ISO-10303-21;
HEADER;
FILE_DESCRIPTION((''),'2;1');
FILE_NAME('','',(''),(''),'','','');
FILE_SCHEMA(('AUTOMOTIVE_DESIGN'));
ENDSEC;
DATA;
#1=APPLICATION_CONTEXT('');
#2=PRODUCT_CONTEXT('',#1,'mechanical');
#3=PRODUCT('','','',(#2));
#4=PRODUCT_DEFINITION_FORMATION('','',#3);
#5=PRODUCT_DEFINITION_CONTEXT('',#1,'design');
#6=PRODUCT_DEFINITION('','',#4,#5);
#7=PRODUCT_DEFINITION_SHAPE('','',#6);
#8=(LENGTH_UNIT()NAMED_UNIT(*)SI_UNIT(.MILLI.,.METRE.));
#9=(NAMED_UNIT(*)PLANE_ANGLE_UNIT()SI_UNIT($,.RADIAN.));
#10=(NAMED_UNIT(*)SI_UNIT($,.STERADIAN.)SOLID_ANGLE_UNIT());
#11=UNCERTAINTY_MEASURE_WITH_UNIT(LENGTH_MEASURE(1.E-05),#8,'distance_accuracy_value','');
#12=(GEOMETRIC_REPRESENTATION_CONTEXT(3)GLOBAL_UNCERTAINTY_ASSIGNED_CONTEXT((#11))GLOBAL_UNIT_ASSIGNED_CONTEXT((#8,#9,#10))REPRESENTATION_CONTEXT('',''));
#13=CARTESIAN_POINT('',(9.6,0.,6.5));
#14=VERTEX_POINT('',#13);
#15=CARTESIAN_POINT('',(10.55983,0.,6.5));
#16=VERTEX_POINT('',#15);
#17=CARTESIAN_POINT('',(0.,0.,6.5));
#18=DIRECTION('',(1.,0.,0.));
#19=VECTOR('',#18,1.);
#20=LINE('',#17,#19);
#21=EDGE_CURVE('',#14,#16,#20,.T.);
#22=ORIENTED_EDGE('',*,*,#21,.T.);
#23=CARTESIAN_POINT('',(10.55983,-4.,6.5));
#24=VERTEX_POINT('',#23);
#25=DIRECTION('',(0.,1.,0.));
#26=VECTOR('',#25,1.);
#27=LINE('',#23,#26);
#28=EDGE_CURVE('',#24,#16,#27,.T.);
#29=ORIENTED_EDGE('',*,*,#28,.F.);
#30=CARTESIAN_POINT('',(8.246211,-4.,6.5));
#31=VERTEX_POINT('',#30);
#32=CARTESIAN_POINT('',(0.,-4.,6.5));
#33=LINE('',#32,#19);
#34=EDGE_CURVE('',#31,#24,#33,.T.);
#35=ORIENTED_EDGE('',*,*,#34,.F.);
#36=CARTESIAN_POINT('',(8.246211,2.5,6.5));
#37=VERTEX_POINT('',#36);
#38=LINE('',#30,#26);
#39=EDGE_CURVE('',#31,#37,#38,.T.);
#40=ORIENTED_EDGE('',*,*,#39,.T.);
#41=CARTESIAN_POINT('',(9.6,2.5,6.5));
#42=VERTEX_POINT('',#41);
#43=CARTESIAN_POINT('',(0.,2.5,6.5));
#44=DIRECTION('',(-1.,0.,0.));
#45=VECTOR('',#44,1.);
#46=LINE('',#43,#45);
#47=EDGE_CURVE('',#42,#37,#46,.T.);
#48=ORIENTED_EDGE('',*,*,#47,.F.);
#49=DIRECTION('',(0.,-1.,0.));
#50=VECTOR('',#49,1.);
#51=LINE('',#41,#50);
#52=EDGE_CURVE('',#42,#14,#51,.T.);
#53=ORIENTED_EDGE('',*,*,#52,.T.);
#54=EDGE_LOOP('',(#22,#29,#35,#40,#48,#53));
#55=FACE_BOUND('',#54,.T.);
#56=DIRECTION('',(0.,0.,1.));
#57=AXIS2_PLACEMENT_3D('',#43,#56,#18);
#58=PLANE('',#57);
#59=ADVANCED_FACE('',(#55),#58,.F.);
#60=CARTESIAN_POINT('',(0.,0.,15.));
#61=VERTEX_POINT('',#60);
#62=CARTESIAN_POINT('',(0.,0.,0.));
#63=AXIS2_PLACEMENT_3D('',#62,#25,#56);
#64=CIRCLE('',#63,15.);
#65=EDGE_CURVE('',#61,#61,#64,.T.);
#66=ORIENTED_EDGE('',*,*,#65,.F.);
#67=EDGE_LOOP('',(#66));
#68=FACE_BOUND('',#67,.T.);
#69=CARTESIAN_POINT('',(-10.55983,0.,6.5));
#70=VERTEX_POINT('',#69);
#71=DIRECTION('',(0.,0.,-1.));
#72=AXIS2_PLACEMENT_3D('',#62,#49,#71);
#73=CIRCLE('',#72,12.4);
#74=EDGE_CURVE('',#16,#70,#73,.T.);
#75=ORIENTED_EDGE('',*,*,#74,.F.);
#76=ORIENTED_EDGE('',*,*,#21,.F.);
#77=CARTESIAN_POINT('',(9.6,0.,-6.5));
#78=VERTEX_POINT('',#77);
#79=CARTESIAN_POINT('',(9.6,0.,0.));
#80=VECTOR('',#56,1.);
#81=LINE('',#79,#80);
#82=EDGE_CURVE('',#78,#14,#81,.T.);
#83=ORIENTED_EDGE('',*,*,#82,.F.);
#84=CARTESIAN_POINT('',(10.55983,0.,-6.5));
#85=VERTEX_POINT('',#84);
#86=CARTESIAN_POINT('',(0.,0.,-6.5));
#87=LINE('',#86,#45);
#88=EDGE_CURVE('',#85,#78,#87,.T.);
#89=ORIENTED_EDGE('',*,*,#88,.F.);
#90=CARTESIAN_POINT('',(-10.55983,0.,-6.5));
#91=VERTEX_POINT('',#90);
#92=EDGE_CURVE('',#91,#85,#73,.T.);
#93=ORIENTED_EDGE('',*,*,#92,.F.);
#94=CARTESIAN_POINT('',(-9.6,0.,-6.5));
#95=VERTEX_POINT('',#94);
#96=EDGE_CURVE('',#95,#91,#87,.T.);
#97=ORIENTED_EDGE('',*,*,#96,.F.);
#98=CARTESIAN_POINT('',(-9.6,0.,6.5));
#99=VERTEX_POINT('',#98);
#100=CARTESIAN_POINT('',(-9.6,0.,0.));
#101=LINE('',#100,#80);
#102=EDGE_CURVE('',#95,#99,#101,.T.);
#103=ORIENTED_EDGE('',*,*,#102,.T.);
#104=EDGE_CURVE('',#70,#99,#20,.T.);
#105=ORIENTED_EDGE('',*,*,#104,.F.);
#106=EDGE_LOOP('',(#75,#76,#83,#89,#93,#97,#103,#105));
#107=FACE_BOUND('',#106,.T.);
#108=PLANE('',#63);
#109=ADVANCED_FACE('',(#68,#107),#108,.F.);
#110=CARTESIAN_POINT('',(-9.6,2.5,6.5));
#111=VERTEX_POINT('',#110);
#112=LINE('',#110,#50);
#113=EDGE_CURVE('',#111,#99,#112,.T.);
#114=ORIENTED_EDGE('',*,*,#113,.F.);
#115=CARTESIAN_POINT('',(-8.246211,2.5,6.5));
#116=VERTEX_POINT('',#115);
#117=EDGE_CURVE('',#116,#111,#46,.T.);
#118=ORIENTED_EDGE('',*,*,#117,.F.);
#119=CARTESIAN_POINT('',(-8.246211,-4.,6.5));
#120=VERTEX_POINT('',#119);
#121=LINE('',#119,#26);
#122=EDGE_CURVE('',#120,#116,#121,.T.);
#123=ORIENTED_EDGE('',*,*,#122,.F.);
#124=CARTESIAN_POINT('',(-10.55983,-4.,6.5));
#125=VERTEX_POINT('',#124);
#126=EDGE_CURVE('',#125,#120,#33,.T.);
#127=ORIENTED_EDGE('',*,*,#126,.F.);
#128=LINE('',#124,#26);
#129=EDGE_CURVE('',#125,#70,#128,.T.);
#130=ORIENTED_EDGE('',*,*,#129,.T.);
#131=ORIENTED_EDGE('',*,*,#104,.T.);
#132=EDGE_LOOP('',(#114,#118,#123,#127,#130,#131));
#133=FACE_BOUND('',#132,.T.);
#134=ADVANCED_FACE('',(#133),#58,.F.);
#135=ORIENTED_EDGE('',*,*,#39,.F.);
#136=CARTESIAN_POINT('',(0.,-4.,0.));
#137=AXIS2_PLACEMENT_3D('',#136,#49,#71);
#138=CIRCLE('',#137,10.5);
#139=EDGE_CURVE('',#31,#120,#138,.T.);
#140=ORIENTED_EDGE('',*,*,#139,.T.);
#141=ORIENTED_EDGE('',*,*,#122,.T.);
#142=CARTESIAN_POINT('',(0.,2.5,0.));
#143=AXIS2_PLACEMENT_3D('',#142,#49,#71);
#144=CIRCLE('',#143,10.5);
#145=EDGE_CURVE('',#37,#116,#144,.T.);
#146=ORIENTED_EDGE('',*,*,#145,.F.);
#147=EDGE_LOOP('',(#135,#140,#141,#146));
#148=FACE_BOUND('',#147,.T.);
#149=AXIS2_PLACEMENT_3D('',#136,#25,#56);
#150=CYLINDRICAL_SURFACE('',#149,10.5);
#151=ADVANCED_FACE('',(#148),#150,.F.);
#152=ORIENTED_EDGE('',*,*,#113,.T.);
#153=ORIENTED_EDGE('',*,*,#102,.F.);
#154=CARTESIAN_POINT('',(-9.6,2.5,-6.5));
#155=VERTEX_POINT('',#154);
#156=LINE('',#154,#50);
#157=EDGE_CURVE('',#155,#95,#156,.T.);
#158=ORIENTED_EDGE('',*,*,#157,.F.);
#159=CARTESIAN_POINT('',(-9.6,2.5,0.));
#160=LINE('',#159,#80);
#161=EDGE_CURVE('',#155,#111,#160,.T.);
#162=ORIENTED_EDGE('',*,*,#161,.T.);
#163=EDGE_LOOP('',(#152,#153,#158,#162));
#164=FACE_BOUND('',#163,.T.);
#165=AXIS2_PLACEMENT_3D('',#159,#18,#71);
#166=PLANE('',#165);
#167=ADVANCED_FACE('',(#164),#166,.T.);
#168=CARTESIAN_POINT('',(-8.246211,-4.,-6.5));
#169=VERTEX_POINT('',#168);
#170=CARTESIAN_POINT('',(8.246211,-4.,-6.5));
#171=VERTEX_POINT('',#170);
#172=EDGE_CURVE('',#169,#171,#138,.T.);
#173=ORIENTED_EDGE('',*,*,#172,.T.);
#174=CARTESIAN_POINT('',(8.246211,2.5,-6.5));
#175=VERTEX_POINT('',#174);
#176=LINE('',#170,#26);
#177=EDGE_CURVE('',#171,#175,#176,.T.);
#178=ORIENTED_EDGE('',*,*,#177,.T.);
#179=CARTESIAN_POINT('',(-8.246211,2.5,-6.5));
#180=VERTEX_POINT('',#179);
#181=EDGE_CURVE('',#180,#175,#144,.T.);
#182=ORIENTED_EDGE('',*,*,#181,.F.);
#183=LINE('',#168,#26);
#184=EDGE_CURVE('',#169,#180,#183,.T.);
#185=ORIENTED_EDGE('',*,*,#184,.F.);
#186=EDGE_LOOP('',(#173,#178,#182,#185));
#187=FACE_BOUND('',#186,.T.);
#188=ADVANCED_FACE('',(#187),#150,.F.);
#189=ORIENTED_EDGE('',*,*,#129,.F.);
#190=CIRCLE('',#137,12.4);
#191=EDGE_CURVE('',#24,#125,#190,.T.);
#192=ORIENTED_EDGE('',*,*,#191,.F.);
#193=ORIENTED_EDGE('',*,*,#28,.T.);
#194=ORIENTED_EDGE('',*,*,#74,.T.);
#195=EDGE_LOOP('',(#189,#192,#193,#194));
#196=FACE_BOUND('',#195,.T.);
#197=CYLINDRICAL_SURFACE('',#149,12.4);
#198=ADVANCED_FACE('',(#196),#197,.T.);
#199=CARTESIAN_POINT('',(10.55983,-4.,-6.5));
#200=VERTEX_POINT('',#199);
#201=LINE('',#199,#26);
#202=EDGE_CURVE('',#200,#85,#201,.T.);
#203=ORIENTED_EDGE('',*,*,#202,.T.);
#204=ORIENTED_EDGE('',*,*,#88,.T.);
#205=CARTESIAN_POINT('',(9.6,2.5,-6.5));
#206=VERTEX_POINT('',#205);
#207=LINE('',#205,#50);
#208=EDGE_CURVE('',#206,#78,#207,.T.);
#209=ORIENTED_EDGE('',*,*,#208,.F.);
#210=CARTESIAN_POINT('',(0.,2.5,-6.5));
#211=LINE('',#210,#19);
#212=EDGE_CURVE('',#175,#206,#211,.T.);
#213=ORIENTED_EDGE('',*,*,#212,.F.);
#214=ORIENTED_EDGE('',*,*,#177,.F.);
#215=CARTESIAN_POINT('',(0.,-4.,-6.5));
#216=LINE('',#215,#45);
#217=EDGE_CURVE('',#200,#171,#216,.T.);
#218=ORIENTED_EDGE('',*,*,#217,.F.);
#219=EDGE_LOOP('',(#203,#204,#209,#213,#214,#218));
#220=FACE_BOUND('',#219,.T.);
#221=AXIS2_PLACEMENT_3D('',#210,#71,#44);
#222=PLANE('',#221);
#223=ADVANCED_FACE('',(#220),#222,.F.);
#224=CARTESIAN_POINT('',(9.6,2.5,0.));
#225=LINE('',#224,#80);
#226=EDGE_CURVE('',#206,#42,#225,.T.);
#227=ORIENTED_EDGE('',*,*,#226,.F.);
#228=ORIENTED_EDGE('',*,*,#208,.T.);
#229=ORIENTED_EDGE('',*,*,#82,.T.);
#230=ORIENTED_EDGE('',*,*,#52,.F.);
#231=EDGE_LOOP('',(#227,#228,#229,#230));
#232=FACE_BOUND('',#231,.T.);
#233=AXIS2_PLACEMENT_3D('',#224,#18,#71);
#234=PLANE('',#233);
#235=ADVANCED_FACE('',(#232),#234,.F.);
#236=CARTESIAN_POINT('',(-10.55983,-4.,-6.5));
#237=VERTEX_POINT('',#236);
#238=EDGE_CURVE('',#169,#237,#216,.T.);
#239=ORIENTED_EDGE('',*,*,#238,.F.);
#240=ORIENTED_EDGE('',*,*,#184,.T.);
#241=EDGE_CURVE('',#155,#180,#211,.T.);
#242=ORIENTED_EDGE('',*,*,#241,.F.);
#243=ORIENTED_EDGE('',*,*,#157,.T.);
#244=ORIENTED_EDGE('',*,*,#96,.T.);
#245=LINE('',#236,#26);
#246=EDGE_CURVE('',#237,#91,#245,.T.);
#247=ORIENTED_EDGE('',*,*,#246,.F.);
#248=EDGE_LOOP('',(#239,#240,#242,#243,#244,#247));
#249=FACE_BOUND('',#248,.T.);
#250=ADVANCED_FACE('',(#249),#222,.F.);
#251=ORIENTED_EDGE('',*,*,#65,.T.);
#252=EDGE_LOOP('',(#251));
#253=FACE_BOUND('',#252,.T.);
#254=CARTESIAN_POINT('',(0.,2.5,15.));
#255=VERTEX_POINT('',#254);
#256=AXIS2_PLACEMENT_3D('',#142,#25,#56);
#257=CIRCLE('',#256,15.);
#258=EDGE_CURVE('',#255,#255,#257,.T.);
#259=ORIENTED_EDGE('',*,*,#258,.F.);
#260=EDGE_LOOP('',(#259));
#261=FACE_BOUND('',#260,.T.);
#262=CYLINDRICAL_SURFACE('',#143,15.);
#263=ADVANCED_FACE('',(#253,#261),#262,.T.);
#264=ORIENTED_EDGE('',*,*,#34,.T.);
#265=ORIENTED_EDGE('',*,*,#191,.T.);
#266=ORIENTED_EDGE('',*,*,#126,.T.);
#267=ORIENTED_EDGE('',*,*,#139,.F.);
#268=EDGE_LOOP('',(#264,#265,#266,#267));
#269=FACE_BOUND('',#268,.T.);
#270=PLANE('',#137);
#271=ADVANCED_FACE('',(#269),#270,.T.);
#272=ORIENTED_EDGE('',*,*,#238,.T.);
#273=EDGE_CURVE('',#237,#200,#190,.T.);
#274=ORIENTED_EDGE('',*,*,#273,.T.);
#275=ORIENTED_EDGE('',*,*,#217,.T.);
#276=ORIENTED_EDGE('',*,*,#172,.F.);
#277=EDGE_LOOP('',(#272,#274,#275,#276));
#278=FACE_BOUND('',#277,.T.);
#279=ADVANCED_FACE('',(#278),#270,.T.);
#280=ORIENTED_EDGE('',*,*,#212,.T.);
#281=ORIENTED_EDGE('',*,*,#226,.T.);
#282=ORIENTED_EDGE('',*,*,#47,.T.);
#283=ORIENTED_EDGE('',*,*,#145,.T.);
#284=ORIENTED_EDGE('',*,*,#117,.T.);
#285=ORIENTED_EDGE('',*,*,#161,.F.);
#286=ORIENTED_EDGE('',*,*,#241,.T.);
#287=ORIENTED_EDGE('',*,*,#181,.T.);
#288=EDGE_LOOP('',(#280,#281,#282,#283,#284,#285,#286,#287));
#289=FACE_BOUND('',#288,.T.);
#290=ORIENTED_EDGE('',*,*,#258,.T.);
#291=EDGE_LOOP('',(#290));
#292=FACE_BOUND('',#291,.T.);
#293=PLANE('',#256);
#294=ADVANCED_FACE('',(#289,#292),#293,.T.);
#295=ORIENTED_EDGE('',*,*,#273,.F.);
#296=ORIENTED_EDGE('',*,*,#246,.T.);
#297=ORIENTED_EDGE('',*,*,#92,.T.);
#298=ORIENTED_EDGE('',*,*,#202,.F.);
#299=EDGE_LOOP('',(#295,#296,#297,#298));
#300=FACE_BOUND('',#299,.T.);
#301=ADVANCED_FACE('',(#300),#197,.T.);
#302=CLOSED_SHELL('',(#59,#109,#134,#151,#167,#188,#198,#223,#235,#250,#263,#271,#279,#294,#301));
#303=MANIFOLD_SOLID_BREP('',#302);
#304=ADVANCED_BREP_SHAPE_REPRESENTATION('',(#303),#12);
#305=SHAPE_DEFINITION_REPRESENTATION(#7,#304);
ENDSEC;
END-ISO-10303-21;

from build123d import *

# Parameters (mm, degrees)
BOSS_EXTRUDE1_DEPTH     = 2.5
BOSS_EXTRUDE2_DEPTH     = 4
CUT_EXTRUDE1_DEPTH      = 5
CUT_EXTRUDE1_DEPTH_BACK = 3.5


with BuildPart() as part:
    # Sketch1 → Boss-Extrude1 (new body)
    with BuildSketch(Plane(origin=(0, 0, 0), x_dir=(1, 0, 0), z_dir=(0, 1, 0))):
        with BuildLine():
            Line((-9.6, -6.5), (-9.6, 6.5))
            Line((-9.6, 6.5), (-13.518505835, 6.5))
            ThreePointArc((-13.518505835, 6.5), (-15, 0), (-13.518505835, -6.5))
            Line((-13.518505835, -6.5), (-9.6, -6.5))
        make_face()
        with BuildLine():
            Line((9.6, -6.5), (-9.6, -6.5))
            Line((-9.6, -6.5), (-13.518505835, -6.5))
            ThreePointArc((-13.518505835, -6.5), (0, -15), (13.518505835, -6.5))
            Line((13.518505835, -6.5), (9.6, -6.5))
        make_face()
        with BuildLine():
            Line((-13.518505835, 6.5), (-9.6, 6.5))
            Line((-9.6, 6.5), (9.6, 6.5))
            Line((9.6, 6.5), (13.518505835, 6.5))
            ThreePointArc((13.518505835, 6.5), (0, 15), (-13.518505835, 6.5))
        make_face()
        with BuildLine():
            Line((13.518505835, 6.5), (9.6, 6.5))
            Line((9.6, 6.5), (9.6, -6.5))
            Line((9.6, -6.5), (13.518505835, -6.5))
            ThreePointArc((13.518505835, -6.5), (14.624937393, -3.333347603), (15, 0))
            ThreePointArc((15, 0), (14.624937393, 3.333347603), (13.518505835, 6.5))
        make_face()
    extrude(amount=BOSS_EXTRUDE1_DEPTH)

    # Sketch2 → Boss-Extrude2 (add)
    with BuildSketch(Plane.XZ):
        with BuildLine():
            ThreePointArc((10.559829544, 6.5), (0, 12.4), (-10.559829544, 6.5))
            Line((-10.559829544, 6.5), (-9.6, 6.5))
            Line((-9.6, 6.5), (-8.246211251, 6.5))
            ThreePointArc((-8.246211251, 6.5), (0, 10.5), (8.246211251, 6.5))
            Line((8.246211251, 6.5), (9.6, 6.5))
            Line((9.6, 6.5), (10.559829544, 6.5))
        make_face()
        with BuildLine():
            Line((-9.6, -6.5), (-10.559829544, -6.5))
            ThreePointArc((-10.559829544, -6.5), (0, -12.4), (10.559829544, -6.5))
            Line((10.559829544, -6.5), (9.6, -6.5))
            Line((9.6, -6.5), (8.246211251, -6.5))
            ThreePointArc((8.246211251, -6.5), (0, -10.5), (-8.246211251, -6.5))
            Line((-8.246211251, -6.5), (-9.6, -6.5))
        make_face()
    extrude(amount=BOSS_EXTRUDE2_DEPTH)

    # Sketch2<3> → Cut-Extrude1 (cut, two sides)
    with BuildSketch(Plane.XZ) as cut_extrude1_sk:
        with BuildLine():
            ThreePointArc((8.246211251, 6.5), (0, 10.5), (-8.246211251, 6.5))
            Line((-8.246211251, 6.5), (8.246211251, 6.5))
        make_face()
        with BuildLine():
            Line((8.246211251, -6.5), (-8.246211251, -6.5))
            ThreePointArc((-8.246211251, -6.5), (0, -10.5), (8.246211251, -6.5))
        make_face()
    extrude(amount=CUT_EXTRUDE1_DEPTH, mode=Mode.SUBTRACT)
    extrude(cut_extrude1_sk.sketch, amount=-CUT_EXTRUDE1_DEPTH_BACK, mode=Mode.SUBTRACT)


solid = part.part
